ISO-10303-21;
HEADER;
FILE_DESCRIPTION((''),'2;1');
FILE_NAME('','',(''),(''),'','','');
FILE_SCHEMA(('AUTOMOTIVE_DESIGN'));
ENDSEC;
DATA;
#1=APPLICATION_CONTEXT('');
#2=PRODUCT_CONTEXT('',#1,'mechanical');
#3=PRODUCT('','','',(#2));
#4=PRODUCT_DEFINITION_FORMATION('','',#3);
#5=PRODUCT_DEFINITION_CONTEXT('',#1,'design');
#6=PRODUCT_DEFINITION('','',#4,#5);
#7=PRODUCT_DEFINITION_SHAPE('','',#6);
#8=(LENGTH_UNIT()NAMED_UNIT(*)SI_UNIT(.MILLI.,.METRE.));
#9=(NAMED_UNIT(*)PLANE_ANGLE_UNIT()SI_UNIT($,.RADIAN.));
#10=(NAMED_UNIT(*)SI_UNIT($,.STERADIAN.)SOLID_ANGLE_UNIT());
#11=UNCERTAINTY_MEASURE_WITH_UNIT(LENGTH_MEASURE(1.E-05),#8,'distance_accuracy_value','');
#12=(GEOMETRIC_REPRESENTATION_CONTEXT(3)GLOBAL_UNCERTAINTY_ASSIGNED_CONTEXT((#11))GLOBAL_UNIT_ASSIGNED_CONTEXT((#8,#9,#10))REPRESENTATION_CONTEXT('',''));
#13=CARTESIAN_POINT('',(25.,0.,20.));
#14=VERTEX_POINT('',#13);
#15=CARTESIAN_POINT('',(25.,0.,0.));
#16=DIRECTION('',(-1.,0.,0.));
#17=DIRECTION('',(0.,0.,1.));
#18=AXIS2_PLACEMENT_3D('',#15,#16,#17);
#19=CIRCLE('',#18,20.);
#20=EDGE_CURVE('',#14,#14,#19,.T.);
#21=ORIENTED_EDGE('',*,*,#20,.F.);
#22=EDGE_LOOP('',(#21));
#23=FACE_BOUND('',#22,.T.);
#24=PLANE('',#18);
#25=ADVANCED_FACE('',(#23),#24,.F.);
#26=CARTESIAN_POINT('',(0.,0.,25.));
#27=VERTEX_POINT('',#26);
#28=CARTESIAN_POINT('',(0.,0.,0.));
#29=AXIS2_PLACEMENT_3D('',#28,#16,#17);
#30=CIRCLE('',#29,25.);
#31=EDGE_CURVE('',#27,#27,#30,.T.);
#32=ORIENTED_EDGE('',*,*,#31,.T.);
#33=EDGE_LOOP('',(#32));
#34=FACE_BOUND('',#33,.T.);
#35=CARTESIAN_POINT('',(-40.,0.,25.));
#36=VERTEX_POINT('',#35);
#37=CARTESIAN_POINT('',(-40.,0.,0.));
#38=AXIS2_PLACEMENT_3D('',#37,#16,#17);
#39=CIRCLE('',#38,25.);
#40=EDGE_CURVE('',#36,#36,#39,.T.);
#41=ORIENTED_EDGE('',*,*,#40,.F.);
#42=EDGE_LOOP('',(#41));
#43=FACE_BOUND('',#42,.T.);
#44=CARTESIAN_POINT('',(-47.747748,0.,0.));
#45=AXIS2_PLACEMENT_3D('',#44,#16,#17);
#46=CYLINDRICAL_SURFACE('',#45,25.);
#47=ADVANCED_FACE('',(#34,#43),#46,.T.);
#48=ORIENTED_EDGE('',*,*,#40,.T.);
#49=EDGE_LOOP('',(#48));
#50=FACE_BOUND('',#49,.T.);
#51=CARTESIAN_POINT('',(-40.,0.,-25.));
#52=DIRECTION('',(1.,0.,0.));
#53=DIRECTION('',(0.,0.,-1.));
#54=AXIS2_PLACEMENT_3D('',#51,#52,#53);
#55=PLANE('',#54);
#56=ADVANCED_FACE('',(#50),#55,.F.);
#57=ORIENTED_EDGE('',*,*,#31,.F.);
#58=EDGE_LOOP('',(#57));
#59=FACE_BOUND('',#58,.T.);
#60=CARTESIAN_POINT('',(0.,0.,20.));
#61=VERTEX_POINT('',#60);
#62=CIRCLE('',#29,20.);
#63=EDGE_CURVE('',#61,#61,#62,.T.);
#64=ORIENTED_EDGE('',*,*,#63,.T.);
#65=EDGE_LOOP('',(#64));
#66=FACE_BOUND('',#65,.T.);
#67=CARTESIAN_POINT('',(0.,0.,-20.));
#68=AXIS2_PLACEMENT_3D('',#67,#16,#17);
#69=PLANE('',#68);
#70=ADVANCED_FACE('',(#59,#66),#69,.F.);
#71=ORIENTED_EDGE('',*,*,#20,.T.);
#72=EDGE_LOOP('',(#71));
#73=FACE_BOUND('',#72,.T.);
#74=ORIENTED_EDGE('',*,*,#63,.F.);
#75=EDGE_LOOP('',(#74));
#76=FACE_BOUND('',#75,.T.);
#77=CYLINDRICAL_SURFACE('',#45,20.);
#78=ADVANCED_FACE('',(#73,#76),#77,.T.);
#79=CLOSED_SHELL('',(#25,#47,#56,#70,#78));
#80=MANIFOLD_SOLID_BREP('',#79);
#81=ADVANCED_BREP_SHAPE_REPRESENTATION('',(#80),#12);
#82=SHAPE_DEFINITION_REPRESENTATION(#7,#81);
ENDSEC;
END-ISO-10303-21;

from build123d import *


with BuildPart() as part:
    # Sketch1 → Revolve1 (revolve)
    with BuildSketch(Plane(origin=(0, 0, 0), x_dir=(1, 0, 0), z_dir=(0, 1, 0))):
        Polygon((25, 0), (25, 20), (0, 20), (0, 25), (-40, 25), (-40, 0), align=None)
    revolve(axis=Axis((-47.747747748, 0, 0), (1, 0, 0)))


solid = part.part
